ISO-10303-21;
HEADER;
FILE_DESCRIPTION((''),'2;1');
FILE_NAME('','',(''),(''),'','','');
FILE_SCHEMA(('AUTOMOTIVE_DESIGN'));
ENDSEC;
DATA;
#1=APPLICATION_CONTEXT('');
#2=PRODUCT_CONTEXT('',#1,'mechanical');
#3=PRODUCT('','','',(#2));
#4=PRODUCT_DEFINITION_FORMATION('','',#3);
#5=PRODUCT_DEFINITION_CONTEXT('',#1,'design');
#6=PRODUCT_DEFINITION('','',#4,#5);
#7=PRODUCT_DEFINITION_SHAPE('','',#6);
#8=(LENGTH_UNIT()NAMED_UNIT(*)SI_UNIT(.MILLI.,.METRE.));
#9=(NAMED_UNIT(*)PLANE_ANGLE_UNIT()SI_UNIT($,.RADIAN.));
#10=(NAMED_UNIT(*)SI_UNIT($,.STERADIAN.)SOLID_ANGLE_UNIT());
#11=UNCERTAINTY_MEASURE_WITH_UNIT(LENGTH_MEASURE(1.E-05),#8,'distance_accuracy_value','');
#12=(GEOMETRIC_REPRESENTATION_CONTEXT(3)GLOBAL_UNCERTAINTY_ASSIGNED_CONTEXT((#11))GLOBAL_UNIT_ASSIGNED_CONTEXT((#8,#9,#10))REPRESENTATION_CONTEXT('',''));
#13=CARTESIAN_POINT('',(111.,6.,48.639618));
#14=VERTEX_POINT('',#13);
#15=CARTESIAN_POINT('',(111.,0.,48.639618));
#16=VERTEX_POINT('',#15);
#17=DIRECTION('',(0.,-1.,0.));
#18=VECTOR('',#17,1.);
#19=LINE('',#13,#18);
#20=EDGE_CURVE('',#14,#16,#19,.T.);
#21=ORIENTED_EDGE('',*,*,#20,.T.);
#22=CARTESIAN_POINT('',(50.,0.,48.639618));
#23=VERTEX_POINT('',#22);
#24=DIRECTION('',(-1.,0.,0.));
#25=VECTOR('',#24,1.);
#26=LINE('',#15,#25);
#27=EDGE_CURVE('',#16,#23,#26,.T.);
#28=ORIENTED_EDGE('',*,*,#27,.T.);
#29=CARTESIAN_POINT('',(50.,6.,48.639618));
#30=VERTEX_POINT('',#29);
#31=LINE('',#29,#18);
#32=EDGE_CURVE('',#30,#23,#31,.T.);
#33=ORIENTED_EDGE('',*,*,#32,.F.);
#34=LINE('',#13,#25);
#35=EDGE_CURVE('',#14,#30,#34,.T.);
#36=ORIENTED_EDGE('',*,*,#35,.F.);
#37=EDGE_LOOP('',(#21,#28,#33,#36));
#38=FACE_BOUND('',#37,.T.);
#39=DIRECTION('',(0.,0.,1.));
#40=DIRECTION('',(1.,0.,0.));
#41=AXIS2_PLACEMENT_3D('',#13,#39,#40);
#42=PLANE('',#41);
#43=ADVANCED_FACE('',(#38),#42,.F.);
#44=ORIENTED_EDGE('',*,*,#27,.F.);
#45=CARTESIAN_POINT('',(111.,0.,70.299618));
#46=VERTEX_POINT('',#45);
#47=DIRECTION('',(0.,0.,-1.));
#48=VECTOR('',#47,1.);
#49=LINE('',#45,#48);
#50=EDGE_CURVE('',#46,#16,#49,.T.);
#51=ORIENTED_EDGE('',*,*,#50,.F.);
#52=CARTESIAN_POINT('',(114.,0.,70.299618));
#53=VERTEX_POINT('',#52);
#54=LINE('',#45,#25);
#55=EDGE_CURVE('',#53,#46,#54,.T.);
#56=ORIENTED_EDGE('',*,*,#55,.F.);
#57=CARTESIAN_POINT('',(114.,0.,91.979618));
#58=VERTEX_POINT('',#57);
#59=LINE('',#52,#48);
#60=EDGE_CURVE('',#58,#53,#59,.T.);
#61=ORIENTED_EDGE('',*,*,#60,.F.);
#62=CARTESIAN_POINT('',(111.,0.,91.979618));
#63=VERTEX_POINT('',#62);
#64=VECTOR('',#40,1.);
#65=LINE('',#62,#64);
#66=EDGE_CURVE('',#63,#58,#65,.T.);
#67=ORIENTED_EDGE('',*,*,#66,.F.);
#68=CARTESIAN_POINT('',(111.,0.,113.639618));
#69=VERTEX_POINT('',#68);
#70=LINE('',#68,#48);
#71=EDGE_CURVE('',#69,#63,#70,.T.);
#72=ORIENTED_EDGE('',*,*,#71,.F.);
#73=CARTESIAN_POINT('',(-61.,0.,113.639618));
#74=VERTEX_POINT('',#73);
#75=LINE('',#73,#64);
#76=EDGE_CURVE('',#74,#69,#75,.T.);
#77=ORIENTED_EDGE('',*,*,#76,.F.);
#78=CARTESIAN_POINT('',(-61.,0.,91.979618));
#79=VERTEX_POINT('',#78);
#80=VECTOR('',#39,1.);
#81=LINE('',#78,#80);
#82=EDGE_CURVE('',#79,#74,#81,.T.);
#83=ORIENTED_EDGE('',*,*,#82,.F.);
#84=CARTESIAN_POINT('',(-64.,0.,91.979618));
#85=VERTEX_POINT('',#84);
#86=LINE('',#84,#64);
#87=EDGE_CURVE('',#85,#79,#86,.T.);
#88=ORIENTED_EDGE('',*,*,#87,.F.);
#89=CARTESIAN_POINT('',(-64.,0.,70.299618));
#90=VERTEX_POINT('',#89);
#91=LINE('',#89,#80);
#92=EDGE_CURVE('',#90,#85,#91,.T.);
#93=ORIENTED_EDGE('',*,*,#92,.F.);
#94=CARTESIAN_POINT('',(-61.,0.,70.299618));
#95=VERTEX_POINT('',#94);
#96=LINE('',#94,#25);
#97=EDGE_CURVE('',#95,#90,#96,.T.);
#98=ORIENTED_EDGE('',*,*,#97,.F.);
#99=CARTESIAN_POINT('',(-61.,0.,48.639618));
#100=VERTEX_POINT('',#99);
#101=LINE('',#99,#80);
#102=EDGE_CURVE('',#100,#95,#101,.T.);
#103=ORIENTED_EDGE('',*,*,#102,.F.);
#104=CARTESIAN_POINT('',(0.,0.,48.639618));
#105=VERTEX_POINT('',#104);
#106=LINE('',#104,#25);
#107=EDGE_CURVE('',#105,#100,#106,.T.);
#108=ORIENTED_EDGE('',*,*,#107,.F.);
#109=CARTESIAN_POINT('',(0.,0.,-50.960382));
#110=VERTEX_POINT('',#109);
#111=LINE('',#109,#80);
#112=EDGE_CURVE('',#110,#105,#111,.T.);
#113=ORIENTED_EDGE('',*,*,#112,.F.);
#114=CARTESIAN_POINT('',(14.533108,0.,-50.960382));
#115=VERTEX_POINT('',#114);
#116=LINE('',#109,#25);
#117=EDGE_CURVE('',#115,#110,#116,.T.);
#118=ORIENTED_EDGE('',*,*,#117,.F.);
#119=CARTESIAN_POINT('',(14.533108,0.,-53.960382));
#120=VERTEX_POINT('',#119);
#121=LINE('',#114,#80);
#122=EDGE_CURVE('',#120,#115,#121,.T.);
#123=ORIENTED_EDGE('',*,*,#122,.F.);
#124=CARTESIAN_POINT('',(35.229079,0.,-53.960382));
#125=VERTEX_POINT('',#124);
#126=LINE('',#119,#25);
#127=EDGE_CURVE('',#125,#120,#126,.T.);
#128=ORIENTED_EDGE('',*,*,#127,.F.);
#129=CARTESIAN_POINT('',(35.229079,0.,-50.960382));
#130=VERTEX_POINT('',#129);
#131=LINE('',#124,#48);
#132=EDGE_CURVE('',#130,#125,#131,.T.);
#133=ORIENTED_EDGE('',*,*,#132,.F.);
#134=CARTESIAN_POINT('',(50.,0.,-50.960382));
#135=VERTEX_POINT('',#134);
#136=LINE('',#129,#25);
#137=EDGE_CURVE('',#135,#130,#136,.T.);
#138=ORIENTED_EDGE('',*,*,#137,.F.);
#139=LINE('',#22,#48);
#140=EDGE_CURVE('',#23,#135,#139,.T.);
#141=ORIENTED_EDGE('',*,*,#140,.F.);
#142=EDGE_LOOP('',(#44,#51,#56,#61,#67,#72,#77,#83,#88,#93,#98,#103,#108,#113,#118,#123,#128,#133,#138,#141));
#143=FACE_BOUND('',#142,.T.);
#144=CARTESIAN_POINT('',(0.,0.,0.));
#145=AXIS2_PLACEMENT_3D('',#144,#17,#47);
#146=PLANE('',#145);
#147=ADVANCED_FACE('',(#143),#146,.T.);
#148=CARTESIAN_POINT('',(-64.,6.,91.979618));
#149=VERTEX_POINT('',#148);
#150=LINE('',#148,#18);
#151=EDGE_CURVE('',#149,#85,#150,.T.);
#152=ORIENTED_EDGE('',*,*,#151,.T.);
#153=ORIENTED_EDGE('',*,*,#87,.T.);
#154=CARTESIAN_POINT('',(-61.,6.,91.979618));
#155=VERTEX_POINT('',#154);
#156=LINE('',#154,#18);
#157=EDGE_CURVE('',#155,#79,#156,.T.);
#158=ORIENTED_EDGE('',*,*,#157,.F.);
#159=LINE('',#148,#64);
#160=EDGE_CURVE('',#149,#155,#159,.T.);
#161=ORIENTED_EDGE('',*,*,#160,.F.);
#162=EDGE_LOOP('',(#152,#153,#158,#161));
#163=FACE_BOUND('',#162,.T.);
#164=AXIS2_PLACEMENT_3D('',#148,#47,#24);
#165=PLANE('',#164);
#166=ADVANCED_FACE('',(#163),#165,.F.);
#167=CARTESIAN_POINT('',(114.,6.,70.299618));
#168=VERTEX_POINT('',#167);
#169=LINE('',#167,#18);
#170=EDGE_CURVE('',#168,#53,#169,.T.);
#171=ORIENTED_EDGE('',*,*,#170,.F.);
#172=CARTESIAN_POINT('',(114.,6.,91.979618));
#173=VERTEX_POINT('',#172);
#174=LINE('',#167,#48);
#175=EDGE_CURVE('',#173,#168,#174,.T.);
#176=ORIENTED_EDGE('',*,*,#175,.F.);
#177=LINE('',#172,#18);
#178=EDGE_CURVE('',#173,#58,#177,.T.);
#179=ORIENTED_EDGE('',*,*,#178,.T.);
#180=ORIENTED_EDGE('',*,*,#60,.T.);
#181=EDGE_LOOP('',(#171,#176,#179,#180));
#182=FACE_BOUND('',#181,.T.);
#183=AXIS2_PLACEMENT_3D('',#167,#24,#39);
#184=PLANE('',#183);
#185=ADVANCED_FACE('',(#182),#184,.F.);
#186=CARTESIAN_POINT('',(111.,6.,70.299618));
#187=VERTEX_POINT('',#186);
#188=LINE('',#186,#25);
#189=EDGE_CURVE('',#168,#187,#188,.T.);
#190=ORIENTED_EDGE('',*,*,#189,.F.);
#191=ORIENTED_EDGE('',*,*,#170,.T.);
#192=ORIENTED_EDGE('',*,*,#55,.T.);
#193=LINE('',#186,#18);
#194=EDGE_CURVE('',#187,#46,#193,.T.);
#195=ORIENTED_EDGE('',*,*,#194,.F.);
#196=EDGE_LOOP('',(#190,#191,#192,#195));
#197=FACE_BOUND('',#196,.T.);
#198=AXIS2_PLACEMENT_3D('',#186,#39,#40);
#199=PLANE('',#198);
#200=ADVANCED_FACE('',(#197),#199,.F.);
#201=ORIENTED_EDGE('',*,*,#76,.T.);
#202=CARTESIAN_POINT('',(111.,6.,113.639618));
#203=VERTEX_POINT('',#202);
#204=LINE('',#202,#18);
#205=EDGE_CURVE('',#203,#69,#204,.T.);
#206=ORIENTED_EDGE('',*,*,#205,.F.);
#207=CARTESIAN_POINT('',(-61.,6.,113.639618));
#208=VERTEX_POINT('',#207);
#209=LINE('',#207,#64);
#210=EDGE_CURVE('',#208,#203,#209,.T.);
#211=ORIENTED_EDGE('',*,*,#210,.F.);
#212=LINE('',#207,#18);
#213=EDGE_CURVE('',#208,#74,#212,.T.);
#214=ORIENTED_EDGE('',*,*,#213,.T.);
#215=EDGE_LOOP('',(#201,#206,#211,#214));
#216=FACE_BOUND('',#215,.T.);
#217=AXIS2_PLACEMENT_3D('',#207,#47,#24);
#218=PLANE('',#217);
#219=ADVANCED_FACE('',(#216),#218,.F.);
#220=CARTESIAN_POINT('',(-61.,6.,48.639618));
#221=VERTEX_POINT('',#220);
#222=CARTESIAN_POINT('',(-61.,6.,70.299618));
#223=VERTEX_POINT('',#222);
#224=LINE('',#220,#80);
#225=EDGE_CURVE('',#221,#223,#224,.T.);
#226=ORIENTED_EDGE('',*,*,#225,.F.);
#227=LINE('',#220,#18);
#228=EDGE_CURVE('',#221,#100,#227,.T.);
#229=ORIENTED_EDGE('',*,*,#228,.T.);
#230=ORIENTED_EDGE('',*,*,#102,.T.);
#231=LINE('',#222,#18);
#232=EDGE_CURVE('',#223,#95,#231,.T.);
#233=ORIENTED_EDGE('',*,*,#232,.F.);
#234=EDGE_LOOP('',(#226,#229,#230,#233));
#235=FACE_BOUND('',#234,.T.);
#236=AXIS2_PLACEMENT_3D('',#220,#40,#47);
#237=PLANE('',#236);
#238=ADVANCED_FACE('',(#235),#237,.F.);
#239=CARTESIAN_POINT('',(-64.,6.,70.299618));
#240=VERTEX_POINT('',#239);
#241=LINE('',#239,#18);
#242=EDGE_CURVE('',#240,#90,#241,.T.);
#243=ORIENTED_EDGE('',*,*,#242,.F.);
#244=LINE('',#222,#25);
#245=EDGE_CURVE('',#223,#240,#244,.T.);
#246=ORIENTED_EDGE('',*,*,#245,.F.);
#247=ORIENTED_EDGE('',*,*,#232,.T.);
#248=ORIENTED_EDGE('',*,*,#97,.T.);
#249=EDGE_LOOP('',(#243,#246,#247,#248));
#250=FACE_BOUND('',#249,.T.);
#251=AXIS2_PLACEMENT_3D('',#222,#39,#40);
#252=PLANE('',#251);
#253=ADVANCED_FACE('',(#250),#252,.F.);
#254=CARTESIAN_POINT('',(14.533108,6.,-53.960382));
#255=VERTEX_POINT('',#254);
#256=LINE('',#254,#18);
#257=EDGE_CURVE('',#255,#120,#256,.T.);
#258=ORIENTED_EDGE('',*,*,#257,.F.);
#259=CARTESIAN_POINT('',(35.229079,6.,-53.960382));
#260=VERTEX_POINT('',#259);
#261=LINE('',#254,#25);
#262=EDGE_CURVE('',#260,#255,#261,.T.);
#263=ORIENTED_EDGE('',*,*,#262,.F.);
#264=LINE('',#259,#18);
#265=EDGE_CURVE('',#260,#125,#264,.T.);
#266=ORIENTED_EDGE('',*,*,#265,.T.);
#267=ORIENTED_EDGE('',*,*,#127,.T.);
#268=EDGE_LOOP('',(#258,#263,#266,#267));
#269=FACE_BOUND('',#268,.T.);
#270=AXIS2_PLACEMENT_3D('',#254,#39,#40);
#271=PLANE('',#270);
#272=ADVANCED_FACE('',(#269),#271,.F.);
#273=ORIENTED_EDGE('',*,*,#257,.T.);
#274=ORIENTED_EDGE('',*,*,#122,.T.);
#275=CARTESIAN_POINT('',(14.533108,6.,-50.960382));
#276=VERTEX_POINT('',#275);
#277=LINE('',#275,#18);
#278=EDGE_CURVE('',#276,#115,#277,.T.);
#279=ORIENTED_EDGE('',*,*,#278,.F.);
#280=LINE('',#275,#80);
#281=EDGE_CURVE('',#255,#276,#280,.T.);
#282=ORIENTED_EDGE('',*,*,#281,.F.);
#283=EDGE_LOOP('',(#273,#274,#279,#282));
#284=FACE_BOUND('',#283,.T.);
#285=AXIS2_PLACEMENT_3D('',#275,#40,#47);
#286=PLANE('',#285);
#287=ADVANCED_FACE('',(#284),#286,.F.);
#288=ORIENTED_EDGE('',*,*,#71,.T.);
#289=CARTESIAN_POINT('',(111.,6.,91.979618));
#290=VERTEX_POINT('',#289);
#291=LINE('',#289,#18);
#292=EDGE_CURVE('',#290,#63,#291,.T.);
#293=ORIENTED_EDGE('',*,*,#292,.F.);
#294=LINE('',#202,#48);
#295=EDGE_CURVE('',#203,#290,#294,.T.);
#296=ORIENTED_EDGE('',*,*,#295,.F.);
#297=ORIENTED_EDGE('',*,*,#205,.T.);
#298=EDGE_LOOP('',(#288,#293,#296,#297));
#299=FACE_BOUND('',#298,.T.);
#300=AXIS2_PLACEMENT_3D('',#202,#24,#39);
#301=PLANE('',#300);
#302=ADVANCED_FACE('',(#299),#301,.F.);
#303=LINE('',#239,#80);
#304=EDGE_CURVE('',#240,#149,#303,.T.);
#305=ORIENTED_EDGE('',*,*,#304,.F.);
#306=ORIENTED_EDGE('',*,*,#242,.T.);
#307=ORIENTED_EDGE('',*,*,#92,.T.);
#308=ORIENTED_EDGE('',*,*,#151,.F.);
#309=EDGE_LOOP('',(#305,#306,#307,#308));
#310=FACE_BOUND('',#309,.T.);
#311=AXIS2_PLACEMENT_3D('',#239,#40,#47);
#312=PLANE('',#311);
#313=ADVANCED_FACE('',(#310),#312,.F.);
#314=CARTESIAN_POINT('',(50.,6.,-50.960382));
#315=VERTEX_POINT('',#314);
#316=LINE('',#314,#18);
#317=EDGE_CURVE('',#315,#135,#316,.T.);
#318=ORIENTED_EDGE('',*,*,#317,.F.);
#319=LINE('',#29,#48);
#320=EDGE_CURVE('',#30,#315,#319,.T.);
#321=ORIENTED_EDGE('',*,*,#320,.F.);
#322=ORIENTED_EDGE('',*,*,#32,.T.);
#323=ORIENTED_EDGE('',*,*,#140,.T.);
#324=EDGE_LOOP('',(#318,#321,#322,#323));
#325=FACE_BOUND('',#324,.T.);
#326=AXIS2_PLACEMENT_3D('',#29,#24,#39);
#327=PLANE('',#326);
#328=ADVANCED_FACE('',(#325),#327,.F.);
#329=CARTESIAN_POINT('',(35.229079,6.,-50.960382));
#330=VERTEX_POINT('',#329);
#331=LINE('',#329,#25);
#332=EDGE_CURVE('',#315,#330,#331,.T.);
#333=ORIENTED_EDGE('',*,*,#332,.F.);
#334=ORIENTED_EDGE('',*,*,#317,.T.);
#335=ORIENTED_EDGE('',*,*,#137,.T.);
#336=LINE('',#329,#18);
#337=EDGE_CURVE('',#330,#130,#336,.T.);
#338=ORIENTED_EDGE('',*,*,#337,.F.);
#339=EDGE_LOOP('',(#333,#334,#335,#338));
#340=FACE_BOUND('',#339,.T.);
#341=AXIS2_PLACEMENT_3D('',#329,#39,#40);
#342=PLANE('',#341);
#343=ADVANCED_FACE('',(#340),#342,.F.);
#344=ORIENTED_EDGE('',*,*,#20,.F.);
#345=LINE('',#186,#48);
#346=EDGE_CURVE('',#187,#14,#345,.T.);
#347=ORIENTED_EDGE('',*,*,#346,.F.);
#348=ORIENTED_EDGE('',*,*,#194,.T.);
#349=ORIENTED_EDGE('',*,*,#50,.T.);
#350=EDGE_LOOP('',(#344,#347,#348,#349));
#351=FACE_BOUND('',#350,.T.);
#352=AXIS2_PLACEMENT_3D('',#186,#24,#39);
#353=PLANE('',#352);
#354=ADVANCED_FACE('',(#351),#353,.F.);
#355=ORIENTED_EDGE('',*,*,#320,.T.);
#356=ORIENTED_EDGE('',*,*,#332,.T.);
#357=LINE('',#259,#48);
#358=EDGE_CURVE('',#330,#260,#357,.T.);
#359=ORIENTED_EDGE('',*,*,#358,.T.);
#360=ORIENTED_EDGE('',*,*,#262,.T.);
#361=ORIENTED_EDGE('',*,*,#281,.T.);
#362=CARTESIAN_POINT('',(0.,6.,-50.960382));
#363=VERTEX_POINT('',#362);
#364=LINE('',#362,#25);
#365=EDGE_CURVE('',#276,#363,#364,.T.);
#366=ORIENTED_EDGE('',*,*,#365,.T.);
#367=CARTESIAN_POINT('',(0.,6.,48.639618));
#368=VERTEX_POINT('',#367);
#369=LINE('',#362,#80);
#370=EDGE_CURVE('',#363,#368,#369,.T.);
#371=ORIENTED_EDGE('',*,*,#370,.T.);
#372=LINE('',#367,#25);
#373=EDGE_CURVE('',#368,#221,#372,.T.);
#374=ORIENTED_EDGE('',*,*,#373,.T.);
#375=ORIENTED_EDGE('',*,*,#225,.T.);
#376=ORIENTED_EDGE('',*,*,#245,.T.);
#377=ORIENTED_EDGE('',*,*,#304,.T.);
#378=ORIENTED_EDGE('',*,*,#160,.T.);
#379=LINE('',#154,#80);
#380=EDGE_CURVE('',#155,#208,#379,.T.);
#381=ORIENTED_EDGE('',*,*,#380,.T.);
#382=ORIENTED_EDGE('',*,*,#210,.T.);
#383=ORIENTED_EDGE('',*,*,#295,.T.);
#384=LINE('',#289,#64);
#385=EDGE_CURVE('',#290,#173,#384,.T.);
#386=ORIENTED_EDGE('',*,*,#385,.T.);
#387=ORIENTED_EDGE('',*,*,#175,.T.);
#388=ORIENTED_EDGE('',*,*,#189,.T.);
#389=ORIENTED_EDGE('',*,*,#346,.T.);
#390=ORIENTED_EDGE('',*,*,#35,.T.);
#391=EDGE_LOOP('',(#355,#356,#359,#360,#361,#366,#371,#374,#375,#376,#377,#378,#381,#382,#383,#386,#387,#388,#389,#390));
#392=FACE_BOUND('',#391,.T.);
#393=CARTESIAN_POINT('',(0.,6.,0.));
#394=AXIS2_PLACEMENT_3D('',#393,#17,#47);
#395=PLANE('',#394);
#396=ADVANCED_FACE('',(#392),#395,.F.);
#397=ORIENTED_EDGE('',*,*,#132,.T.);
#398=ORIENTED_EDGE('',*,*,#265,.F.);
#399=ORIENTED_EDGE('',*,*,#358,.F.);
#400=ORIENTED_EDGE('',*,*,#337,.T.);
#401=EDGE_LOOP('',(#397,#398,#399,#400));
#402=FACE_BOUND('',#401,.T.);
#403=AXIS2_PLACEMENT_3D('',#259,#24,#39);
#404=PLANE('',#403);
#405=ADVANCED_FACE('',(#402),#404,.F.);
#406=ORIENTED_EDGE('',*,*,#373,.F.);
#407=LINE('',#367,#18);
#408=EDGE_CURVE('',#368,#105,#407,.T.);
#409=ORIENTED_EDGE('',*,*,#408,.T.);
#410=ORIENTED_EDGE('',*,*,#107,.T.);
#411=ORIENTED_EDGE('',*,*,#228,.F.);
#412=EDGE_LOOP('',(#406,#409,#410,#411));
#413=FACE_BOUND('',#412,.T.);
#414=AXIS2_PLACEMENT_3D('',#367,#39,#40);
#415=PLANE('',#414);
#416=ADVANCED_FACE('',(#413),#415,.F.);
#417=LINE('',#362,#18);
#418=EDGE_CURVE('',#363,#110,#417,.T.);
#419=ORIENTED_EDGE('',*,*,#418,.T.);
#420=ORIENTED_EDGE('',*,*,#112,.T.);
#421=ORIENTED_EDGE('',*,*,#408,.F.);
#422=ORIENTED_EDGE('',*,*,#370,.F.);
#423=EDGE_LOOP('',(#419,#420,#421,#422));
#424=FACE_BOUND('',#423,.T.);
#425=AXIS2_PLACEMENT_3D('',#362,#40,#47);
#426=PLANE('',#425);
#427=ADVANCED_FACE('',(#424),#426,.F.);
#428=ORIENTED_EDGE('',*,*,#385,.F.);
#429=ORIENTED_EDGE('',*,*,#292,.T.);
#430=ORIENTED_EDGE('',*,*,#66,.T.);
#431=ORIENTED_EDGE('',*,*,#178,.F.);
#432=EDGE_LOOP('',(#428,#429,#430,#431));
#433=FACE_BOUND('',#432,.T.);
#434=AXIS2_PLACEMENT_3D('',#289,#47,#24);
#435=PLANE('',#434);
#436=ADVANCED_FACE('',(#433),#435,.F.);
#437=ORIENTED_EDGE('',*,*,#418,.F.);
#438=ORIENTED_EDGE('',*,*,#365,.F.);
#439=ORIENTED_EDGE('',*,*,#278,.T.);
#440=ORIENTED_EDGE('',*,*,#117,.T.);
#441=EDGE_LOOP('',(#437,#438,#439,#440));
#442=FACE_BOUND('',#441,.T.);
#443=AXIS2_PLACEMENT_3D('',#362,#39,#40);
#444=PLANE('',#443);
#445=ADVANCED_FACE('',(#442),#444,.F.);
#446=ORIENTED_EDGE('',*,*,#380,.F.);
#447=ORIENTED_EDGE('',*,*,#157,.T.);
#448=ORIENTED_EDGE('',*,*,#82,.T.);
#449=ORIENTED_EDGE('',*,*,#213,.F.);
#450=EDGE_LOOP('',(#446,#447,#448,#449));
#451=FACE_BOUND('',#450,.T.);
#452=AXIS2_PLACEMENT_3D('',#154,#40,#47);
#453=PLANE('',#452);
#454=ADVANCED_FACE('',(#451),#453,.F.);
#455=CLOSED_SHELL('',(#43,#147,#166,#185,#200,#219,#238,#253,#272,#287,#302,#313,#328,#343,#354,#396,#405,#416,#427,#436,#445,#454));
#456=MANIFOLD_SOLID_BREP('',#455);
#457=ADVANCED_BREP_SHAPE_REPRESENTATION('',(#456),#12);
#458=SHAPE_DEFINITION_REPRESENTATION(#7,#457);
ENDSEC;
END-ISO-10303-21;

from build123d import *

# Parameters (mm, degrees)
BOSS_EXTRUDE1_DEPTH = 6


with BuildPart() as part:
    # Sketch1 → Boss-Extrude1 (new body)
    with BuildSketch(Plane(origin=(0, 0, 0), x_dir=(1, 0, 0), z_dir=(0, 1, 0))):
        Polygon((50, -48.639618138), (50, 50.960381862), (35.229078932, 50.960381862), (35.229078932, 53.960381862), (14.533108064, 53.960381862), (14.533108064, 50.960381862), (0, 50.960381862), (0, -48.639618138), (-61, -48.639618138), (-61, -70.299618138), (-64, -70.299618138), (-64, -91.979618138), (-61, -91.979618138), (-61, -113.639618138), (111, -113.639618138), (111, -91.979618138), (114, -91.979618138), (114, -70.299618138), (111, -70.299618138), (111, -48.639618138), align=None)
    extrude(amount=BOSS_EXTRUDE1_DEPTH)


solid = part.part
